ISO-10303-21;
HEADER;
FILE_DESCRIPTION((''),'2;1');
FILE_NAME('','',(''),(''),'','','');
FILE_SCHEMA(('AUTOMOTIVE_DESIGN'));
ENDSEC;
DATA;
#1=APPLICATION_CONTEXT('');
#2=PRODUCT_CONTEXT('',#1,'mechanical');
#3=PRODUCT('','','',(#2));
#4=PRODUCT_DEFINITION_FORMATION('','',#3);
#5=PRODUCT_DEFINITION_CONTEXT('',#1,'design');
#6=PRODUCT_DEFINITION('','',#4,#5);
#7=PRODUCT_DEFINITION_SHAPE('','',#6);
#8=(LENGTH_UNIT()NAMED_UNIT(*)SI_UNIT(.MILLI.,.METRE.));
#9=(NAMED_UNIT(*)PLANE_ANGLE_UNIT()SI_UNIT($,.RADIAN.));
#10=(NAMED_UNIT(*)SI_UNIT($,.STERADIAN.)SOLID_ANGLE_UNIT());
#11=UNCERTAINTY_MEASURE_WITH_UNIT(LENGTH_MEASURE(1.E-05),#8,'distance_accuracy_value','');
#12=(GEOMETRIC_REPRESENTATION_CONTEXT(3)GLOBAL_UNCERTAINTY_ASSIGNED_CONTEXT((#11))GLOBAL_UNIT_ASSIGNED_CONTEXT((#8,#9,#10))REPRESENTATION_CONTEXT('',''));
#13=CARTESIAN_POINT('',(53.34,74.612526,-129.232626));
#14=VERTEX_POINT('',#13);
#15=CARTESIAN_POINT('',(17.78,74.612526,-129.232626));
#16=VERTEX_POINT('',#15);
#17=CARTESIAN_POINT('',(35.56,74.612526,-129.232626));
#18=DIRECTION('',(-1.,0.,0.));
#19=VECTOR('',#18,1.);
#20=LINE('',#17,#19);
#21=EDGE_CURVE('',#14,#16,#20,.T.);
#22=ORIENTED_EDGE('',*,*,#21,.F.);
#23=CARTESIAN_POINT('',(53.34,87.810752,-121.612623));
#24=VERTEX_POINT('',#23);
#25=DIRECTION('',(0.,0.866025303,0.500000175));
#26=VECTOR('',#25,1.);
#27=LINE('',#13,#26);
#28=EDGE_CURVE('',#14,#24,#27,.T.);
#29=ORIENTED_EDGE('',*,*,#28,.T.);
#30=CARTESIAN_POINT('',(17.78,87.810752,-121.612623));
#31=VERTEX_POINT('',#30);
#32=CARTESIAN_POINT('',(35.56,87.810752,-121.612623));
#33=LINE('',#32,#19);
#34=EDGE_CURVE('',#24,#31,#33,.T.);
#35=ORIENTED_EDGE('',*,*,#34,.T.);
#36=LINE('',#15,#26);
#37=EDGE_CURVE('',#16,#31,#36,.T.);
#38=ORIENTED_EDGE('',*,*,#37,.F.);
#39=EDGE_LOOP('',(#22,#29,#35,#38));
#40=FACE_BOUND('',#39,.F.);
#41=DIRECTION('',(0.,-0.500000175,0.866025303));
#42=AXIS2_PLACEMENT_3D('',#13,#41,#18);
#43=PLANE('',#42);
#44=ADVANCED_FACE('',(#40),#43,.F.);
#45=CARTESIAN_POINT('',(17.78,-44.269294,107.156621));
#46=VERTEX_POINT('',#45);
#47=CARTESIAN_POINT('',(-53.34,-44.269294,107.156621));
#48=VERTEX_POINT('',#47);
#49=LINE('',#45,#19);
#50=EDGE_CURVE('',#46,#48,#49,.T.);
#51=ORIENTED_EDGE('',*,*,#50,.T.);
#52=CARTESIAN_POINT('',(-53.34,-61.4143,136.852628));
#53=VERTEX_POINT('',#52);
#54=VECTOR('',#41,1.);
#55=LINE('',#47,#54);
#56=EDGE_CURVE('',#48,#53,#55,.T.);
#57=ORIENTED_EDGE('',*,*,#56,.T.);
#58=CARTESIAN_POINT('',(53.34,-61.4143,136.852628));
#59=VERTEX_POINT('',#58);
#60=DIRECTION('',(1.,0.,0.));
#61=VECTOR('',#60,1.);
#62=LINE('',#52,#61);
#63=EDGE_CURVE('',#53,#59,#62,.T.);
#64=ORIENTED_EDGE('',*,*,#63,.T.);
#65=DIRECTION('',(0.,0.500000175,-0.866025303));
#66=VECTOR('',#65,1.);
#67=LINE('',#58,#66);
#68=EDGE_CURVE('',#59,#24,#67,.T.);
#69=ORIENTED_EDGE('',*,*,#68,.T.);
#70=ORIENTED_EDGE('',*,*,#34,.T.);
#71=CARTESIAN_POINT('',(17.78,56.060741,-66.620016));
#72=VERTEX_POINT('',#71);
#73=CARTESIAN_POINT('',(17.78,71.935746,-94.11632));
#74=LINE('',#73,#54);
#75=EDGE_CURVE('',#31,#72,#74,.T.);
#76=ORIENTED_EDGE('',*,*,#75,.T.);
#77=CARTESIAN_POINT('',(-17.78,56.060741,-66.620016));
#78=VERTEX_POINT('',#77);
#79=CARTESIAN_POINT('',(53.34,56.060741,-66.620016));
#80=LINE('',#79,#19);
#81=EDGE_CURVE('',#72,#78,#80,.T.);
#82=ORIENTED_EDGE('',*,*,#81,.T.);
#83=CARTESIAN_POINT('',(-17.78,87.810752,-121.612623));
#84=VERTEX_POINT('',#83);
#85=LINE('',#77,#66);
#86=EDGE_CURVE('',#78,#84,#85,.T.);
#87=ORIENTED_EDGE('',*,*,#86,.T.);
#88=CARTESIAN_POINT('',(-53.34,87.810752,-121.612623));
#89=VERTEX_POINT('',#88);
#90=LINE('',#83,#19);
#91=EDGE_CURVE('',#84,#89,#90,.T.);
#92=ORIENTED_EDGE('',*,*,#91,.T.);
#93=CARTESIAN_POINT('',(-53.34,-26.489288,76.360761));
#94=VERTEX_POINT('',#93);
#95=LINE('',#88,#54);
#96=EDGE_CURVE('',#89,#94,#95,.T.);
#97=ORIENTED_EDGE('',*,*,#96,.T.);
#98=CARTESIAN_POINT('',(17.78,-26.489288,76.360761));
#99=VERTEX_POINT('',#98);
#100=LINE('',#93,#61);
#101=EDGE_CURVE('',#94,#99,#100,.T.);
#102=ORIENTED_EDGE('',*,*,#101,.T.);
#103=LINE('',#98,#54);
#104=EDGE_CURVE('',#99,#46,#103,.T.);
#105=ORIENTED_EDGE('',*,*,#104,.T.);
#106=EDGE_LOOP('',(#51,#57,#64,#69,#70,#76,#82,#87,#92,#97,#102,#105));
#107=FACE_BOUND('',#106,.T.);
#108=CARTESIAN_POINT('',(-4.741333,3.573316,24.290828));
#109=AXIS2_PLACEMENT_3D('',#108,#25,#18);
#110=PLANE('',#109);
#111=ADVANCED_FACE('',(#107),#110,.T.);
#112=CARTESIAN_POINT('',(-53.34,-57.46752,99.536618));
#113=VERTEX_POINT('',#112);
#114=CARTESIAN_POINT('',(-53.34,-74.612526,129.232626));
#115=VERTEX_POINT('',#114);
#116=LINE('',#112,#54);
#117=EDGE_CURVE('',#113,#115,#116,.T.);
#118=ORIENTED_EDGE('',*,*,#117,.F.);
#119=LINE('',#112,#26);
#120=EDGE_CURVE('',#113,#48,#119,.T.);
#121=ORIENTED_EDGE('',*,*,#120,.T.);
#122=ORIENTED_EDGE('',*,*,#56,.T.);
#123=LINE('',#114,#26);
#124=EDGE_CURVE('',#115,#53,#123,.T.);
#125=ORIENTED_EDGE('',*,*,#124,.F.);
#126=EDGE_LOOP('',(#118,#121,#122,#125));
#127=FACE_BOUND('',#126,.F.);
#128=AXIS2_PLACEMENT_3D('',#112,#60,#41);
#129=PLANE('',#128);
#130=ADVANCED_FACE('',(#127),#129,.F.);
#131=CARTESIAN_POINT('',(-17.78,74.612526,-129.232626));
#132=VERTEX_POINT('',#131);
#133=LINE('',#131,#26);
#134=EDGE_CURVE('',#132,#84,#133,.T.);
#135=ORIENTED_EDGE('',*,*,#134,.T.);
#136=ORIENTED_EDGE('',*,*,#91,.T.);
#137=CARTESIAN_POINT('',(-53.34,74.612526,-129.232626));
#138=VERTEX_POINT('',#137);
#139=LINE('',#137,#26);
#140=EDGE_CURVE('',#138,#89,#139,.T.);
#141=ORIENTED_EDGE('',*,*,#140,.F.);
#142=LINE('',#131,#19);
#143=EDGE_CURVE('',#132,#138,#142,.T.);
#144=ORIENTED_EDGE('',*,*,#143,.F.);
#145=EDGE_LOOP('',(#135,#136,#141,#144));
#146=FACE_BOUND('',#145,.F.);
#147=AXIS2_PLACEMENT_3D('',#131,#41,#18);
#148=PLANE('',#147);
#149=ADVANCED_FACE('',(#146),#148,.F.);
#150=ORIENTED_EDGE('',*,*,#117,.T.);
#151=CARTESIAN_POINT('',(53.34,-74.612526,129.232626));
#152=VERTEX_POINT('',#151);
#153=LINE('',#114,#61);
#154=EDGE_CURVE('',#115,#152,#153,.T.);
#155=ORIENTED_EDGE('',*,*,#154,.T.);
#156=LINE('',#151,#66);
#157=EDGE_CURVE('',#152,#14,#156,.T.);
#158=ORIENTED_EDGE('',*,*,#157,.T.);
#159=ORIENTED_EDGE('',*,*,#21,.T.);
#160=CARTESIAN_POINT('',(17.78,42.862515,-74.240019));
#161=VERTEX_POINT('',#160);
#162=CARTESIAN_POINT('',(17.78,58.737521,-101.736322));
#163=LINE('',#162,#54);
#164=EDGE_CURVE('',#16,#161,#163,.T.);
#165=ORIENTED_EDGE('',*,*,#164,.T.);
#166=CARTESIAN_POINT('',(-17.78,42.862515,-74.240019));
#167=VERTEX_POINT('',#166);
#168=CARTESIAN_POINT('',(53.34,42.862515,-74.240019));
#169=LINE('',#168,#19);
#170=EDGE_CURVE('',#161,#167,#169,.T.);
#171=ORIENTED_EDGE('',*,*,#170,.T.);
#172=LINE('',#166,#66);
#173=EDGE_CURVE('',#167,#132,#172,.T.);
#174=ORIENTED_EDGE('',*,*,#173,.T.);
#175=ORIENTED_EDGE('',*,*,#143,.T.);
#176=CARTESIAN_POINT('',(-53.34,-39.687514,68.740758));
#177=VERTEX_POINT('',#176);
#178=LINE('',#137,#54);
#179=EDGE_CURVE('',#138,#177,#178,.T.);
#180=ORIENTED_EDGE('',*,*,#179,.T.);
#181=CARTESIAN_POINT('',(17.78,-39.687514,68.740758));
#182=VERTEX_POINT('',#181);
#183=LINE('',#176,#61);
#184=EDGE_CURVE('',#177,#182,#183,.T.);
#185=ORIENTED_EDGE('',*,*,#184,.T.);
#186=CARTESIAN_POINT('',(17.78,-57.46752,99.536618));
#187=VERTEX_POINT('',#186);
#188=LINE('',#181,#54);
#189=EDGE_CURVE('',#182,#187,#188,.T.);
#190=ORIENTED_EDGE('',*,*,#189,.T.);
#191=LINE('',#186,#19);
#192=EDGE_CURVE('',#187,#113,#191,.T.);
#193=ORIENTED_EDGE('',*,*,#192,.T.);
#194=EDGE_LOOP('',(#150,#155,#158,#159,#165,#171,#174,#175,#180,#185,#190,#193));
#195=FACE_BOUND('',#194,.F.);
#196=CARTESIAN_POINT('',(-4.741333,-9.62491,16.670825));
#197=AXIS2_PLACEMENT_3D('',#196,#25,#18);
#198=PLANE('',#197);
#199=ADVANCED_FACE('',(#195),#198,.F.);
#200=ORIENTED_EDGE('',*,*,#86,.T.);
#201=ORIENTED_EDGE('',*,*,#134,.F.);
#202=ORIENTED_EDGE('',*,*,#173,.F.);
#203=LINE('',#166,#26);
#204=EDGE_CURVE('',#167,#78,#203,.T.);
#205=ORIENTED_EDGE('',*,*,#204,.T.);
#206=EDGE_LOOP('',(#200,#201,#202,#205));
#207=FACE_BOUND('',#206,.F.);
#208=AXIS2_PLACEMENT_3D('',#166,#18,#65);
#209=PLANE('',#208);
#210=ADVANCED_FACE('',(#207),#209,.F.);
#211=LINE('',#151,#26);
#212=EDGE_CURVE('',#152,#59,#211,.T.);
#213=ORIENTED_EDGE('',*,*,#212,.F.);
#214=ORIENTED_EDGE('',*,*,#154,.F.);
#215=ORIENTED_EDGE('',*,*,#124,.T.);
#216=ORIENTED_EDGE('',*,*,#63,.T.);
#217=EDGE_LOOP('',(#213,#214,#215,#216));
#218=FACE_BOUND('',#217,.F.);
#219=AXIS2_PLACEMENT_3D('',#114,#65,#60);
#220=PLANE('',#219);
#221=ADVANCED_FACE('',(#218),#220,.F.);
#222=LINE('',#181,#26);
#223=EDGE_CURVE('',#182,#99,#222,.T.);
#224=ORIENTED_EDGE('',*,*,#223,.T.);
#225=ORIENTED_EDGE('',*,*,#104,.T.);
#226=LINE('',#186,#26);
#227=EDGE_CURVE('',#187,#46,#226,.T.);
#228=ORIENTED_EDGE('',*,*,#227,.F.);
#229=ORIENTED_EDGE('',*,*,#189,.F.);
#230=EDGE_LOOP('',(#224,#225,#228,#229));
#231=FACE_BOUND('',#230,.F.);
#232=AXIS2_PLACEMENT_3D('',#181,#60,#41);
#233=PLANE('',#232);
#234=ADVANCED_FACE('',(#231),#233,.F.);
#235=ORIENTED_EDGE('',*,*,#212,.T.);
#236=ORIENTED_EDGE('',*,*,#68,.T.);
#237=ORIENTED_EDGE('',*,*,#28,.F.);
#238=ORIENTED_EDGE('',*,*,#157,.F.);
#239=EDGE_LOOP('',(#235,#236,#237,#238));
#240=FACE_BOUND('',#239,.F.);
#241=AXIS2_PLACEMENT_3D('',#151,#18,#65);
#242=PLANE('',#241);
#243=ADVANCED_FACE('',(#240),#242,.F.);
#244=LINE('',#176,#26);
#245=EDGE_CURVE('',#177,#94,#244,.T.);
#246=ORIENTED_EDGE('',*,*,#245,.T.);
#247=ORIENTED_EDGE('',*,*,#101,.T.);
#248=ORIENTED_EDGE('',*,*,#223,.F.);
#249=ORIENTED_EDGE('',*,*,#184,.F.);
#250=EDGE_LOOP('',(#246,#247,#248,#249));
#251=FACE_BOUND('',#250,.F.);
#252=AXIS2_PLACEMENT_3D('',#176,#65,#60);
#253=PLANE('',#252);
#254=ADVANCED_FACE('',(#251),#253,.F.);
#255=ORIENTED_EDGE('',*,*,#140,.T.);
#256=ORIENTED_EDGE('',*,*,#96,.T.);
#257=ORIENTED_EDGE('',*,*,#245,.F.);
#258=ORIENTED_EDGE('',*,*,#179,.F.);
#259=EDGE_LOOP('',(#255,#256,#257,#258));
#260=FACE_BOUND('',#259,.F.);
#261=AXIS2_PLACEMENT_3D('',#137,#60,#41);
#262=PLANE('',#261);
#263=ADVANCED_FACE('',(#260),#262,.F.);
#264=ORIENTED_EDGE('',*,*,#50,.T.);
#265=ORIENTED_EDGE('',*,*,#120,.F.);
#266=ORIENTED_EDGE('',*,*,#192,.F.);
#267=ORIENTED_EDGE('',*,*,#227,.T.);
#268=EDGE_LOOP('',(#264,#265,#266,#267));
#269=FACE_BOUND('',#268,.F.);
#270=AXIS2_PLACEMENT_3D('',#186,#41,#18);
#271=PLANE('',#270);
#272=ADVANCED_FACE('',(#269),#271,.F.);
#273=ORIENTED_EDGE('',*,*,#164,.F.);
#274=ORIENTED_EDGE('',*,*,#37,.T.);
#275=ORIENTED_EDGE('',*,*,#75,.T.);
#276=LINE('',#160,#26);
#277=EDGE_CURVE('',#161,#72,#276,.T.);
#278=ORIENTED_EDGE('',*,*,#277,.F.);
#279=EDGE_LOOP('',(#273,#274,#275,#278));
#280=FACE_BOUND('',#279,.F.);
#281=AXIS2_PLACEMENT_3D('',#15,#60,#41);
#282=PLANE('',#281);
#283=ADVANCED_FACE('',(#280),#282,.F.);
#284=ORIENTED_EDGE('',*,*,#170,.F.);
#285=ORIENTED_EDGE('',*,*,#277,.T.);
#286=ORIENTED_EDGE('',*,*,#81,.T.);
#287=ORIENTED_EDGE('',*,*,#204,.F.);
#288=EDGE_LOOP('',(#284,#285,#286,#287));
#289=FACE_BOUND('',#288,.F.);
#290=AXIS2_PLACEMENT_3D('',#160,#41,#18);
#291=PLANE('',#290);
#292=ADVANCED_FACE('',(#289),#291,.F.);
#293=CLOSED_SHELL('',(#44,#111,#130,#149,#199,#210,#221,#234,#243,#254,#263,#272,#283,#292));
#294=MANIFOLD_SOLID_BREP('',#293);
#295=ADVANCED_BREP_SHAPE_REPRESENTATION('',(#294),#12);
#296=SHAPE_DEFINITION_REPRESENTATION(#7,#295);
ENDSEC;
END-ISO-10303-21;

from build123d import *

# Parameters (mm, degrees)
F2_W     = 35.56
F2_H     = 63.5
F3_DEPTH = 15.24


with BuildPart() as f3:
    # F2 (on face) → F3 (new body)
    with BuildSketch(Plane(origin=(0, 0, 0), x_dir=(-1, 0, 0), z_dir=(0, 0.866025, 0.5))):
        Polygon((53.34, 149.225), (-53.34, 149.225), (-53.34, -85.725), (-17.78, -85.725), (17.78, -85.725), (17.78, -149.225), (53.34, -149.225), (53.34, 79.375), (-17.78, 79.375), (-17.78, 114.935), (53.34, 114.935), align=None)
        with Locations((-35.56, -117.475)):
            Rectangle(F2_W, F2_H)
    extrude(amount=F3_DEPTH)


solid = f3.part
